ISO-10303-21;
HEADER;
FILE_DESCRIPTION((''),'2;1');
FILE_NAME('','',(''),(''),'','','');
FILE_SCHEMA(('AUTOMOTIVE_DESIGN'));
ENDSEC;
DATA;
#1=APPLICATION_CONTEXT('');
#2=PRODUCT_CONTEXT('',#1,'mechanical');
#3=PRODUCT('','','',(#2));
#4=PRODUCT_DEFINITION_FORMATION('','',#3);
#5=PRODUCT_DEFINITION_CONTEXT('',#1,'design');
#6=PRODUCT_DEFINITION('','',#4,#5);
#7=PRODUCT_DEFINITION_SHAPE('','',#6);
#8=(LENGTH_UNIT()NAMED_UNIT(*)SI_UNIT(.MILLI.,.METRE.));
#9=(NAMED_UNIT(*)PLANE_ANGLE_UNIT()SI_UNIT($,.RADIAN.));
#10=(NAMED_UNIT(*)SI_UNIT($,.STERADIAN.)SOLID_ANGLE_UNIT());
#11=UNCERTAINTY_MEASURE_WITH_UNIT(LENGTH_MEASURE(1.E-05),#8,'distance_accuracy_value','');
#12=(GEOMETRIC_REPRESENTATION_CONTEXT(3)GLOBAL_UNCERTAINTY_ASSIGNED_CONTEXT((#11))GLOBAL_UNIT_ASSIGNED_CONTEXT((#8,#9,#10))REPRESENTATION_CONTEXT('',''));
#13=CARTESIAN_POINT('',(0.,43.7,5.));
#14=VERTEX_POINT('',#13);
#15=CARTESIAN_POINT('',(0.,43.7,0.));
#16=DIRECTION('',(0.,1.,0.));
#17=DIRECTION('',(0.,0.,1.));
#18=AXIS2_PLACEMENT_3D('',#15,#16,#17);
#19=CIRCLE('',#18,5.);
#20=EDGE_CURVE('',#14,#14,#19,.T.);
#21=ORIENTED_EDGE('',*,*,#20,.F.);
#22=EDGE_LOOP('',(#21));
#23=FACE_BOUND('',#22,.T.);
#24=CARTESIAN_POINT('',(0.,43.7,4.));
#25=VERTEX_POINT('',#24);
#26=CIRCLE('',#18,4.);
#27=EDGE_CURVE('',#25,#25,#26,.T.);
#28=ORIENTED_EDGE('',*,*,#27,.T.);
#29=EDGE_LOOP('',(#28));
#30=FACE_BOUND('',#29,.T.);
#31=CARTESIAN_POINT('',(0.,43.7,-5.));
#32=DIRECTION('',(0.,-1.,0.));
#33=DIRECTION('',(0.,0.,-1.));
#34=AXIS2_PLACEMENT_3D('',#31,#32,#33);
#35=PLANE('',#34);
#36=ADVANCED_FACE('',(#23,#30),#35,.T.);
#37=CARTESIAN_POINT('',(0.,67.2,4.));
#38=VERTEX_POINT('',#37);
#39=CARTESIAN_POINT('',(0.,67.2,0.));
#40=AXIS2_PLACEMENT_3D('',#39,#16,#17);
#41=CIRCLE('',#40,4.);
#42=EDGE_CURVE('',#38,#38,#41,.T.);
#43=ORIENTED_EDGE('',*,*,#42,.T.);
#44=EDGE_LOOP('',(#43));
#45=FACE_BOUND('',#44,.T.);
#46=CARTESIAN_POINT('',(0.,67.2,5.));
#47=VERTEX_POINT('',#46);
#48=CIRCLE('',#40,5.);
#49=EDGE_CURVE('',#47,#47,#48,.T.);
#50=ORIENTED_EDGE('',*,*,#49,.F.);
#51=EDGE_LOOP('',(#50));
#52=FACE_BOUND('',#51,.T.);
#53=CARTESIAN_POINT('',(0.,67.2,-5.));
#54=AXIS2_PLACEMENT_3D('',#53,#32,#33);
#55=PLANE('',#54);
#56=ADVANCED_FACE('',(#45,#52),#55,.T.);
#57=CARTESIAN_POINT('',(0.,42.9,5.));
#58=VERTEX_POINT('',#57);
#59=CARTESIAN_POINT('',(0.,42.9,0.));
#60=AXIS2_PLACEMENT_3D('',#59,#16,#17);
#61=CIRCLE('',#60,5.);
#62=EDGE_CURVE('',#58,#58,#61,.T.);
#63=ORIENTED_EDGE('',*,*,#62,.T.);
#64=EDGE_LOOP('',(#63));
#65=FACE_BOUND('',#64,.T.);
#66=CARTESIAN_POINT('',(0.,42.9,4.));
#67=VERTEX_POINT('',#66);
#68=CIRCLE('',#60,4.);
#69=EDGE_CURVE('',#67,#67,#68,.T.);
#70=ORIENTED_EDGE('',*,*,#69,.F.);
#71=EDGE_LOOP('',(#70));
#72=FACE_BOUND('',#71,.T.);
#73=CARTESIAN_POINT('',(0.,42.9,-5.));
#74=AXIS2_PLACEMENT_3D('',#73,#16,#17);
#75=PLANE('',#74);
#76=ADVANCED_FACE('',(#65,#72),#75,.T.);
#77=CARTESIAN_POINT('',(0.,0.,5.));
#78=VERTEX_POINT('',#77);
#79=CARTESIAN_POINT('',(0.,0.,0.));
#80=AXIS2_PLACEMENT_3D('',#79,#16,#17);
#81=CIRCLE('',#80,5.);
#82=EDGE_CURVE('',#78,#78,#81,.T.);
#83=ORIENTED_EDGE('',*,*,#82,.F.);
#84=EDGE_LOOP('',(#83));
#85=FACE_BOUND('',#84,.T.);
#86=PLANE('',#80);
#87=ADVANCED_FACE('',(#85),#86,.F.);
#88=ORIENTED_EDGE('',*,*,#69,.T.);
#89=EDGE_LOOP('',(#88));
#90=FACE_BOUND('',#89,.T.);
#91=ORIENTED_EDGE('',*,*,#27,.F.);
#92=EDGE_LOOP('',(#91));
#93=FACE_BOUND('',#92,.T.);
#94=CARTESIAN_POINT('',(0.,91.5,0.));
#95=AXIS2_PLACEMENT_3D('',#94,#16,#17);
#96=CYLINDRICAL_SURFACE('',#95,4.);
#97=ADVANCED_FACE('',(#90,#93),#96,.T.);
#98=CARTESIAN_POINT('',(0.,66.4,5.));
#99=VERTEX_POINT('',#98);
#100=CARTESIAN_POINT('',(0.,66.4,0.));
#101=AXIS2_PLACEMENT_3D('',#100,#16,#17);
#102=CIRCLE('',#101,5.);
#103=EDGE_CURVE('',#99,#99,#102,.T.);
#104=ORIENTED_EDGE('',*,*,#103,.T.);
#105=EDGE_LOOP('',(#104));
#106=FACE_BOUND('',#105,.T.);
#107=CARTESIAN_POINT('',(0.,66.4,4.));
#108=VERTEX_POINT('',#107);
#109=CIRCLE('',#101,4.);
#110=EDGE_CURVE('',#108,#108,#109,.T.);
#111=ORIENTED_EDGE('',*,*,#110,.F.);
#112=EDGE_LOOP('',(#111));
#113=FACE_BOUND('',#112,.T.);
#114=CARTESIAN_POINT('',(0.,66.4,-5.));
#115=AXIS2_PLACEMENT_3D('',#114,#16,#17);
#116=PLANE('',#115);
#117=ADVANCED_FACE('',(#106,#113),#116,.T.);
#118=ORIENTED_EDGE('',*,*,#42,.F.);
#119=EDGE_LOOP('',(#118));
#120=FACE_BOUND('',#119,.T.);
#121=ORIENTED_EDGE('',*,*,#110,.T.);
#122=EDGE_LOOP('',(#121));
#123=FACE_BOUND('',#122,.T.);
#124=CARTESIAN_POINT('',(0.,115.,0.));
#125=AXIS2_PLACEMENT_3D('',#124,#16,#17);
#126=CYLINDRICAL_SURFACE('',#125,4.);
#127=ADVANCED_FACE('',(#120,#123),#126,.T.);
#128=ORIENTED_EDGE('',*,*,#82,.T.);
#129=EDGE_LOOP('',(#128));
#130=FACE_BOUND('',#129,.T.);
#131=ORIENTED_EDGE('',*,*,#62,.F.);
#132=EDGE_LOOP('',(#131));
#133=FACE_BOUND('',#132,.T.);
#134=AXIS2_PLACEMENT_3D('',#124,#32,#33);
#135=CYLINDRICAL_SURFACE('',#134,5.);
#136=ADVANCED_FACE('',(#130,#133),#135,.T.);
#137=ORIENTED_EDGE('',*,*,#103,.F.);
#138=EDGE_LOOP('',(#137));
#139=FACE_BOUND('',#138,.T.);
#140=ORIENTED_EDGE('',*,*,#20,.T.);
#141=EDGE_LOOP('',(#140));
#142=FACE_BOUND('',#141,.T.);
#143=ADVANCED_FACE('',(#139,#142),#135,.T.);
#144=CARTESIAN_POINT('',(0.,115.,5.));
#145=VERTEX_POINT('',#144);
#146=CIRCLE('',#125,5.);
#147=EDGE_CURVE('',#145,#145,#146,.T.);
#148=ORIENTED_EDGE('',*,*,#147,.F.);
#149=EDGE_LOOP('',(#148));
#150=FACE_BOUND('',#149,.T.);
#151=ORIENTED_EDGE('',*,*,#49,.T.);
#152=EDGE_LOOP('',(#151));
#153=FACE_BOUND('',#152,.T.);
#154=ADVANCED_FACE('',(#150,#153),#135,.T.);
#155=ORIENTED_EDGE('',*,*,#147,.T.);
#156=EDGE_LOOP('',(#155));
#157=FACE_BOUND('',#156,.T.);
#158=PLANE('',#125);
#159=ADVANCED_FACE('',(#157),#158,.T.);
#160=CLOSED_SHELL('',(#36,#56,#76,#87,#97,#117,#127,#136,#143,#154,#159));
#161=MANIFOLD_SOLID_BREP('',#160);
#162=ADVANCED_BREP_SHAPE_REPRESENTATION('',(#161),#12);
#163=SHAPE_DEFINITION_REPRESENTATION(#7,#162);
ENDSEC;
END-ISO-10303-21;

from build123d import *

# Parameters (mm, degrees)
SKETCH1_R           = 5
BOSS_EXTRUDE1_DEPTH = 115
SKETCH2_W           = 1
SKETCH2_H           = 0.8
LPATTERN1_COUNT     = 2
LPATTERN1_PITCH     = 23.5


with BuildPart() as part:
    # Sketch1 → Boss-Extrude1 (new body)
    with BuildSketch(Plane(origin=(0, 0, 0), x_dir=(1, 0, 0), z_dir=(0, 1, 0))):
        with Locations(Location((0, 0, 0), (0, 0, 270))):
            Circle(SKETCH1_R)
    extrude(amount=BOSS_EXTRUDE1_DEPTH)

    # Sketch2 → Cut-Revolve1 (revolve, cut)
    with BuildSketch(Plane(origin=(0, 0, 0), x_dir=(0, 0, -1), z_dir=(1, 0, 0)), mode=Mode.PRIVATE) as cut_revolve1_sk:
        with Locations((4.5, 66.8)):
            Rectangle(SKETCH2_W, SKETCH2_H)
    cut_revolve1 = revolve(cut_revolve1_sk.sketch.rotate(Axis((0, 115, 0), (0, -1, 0)), 180), axis=Axis((0, 115, 0), (0, -1, 0)), mode=Mode.SUBTRACT)

    # LPattern1: Cut-Revolve1 ×2
    with Locations(*[(0, -i * LPATTERN1_PITCH, 0) for i in range(1, LPATTERN1_COUNT)]):
        add(cut_revolve1, mode=Mode.SUBTRACT)


solid = part.part
